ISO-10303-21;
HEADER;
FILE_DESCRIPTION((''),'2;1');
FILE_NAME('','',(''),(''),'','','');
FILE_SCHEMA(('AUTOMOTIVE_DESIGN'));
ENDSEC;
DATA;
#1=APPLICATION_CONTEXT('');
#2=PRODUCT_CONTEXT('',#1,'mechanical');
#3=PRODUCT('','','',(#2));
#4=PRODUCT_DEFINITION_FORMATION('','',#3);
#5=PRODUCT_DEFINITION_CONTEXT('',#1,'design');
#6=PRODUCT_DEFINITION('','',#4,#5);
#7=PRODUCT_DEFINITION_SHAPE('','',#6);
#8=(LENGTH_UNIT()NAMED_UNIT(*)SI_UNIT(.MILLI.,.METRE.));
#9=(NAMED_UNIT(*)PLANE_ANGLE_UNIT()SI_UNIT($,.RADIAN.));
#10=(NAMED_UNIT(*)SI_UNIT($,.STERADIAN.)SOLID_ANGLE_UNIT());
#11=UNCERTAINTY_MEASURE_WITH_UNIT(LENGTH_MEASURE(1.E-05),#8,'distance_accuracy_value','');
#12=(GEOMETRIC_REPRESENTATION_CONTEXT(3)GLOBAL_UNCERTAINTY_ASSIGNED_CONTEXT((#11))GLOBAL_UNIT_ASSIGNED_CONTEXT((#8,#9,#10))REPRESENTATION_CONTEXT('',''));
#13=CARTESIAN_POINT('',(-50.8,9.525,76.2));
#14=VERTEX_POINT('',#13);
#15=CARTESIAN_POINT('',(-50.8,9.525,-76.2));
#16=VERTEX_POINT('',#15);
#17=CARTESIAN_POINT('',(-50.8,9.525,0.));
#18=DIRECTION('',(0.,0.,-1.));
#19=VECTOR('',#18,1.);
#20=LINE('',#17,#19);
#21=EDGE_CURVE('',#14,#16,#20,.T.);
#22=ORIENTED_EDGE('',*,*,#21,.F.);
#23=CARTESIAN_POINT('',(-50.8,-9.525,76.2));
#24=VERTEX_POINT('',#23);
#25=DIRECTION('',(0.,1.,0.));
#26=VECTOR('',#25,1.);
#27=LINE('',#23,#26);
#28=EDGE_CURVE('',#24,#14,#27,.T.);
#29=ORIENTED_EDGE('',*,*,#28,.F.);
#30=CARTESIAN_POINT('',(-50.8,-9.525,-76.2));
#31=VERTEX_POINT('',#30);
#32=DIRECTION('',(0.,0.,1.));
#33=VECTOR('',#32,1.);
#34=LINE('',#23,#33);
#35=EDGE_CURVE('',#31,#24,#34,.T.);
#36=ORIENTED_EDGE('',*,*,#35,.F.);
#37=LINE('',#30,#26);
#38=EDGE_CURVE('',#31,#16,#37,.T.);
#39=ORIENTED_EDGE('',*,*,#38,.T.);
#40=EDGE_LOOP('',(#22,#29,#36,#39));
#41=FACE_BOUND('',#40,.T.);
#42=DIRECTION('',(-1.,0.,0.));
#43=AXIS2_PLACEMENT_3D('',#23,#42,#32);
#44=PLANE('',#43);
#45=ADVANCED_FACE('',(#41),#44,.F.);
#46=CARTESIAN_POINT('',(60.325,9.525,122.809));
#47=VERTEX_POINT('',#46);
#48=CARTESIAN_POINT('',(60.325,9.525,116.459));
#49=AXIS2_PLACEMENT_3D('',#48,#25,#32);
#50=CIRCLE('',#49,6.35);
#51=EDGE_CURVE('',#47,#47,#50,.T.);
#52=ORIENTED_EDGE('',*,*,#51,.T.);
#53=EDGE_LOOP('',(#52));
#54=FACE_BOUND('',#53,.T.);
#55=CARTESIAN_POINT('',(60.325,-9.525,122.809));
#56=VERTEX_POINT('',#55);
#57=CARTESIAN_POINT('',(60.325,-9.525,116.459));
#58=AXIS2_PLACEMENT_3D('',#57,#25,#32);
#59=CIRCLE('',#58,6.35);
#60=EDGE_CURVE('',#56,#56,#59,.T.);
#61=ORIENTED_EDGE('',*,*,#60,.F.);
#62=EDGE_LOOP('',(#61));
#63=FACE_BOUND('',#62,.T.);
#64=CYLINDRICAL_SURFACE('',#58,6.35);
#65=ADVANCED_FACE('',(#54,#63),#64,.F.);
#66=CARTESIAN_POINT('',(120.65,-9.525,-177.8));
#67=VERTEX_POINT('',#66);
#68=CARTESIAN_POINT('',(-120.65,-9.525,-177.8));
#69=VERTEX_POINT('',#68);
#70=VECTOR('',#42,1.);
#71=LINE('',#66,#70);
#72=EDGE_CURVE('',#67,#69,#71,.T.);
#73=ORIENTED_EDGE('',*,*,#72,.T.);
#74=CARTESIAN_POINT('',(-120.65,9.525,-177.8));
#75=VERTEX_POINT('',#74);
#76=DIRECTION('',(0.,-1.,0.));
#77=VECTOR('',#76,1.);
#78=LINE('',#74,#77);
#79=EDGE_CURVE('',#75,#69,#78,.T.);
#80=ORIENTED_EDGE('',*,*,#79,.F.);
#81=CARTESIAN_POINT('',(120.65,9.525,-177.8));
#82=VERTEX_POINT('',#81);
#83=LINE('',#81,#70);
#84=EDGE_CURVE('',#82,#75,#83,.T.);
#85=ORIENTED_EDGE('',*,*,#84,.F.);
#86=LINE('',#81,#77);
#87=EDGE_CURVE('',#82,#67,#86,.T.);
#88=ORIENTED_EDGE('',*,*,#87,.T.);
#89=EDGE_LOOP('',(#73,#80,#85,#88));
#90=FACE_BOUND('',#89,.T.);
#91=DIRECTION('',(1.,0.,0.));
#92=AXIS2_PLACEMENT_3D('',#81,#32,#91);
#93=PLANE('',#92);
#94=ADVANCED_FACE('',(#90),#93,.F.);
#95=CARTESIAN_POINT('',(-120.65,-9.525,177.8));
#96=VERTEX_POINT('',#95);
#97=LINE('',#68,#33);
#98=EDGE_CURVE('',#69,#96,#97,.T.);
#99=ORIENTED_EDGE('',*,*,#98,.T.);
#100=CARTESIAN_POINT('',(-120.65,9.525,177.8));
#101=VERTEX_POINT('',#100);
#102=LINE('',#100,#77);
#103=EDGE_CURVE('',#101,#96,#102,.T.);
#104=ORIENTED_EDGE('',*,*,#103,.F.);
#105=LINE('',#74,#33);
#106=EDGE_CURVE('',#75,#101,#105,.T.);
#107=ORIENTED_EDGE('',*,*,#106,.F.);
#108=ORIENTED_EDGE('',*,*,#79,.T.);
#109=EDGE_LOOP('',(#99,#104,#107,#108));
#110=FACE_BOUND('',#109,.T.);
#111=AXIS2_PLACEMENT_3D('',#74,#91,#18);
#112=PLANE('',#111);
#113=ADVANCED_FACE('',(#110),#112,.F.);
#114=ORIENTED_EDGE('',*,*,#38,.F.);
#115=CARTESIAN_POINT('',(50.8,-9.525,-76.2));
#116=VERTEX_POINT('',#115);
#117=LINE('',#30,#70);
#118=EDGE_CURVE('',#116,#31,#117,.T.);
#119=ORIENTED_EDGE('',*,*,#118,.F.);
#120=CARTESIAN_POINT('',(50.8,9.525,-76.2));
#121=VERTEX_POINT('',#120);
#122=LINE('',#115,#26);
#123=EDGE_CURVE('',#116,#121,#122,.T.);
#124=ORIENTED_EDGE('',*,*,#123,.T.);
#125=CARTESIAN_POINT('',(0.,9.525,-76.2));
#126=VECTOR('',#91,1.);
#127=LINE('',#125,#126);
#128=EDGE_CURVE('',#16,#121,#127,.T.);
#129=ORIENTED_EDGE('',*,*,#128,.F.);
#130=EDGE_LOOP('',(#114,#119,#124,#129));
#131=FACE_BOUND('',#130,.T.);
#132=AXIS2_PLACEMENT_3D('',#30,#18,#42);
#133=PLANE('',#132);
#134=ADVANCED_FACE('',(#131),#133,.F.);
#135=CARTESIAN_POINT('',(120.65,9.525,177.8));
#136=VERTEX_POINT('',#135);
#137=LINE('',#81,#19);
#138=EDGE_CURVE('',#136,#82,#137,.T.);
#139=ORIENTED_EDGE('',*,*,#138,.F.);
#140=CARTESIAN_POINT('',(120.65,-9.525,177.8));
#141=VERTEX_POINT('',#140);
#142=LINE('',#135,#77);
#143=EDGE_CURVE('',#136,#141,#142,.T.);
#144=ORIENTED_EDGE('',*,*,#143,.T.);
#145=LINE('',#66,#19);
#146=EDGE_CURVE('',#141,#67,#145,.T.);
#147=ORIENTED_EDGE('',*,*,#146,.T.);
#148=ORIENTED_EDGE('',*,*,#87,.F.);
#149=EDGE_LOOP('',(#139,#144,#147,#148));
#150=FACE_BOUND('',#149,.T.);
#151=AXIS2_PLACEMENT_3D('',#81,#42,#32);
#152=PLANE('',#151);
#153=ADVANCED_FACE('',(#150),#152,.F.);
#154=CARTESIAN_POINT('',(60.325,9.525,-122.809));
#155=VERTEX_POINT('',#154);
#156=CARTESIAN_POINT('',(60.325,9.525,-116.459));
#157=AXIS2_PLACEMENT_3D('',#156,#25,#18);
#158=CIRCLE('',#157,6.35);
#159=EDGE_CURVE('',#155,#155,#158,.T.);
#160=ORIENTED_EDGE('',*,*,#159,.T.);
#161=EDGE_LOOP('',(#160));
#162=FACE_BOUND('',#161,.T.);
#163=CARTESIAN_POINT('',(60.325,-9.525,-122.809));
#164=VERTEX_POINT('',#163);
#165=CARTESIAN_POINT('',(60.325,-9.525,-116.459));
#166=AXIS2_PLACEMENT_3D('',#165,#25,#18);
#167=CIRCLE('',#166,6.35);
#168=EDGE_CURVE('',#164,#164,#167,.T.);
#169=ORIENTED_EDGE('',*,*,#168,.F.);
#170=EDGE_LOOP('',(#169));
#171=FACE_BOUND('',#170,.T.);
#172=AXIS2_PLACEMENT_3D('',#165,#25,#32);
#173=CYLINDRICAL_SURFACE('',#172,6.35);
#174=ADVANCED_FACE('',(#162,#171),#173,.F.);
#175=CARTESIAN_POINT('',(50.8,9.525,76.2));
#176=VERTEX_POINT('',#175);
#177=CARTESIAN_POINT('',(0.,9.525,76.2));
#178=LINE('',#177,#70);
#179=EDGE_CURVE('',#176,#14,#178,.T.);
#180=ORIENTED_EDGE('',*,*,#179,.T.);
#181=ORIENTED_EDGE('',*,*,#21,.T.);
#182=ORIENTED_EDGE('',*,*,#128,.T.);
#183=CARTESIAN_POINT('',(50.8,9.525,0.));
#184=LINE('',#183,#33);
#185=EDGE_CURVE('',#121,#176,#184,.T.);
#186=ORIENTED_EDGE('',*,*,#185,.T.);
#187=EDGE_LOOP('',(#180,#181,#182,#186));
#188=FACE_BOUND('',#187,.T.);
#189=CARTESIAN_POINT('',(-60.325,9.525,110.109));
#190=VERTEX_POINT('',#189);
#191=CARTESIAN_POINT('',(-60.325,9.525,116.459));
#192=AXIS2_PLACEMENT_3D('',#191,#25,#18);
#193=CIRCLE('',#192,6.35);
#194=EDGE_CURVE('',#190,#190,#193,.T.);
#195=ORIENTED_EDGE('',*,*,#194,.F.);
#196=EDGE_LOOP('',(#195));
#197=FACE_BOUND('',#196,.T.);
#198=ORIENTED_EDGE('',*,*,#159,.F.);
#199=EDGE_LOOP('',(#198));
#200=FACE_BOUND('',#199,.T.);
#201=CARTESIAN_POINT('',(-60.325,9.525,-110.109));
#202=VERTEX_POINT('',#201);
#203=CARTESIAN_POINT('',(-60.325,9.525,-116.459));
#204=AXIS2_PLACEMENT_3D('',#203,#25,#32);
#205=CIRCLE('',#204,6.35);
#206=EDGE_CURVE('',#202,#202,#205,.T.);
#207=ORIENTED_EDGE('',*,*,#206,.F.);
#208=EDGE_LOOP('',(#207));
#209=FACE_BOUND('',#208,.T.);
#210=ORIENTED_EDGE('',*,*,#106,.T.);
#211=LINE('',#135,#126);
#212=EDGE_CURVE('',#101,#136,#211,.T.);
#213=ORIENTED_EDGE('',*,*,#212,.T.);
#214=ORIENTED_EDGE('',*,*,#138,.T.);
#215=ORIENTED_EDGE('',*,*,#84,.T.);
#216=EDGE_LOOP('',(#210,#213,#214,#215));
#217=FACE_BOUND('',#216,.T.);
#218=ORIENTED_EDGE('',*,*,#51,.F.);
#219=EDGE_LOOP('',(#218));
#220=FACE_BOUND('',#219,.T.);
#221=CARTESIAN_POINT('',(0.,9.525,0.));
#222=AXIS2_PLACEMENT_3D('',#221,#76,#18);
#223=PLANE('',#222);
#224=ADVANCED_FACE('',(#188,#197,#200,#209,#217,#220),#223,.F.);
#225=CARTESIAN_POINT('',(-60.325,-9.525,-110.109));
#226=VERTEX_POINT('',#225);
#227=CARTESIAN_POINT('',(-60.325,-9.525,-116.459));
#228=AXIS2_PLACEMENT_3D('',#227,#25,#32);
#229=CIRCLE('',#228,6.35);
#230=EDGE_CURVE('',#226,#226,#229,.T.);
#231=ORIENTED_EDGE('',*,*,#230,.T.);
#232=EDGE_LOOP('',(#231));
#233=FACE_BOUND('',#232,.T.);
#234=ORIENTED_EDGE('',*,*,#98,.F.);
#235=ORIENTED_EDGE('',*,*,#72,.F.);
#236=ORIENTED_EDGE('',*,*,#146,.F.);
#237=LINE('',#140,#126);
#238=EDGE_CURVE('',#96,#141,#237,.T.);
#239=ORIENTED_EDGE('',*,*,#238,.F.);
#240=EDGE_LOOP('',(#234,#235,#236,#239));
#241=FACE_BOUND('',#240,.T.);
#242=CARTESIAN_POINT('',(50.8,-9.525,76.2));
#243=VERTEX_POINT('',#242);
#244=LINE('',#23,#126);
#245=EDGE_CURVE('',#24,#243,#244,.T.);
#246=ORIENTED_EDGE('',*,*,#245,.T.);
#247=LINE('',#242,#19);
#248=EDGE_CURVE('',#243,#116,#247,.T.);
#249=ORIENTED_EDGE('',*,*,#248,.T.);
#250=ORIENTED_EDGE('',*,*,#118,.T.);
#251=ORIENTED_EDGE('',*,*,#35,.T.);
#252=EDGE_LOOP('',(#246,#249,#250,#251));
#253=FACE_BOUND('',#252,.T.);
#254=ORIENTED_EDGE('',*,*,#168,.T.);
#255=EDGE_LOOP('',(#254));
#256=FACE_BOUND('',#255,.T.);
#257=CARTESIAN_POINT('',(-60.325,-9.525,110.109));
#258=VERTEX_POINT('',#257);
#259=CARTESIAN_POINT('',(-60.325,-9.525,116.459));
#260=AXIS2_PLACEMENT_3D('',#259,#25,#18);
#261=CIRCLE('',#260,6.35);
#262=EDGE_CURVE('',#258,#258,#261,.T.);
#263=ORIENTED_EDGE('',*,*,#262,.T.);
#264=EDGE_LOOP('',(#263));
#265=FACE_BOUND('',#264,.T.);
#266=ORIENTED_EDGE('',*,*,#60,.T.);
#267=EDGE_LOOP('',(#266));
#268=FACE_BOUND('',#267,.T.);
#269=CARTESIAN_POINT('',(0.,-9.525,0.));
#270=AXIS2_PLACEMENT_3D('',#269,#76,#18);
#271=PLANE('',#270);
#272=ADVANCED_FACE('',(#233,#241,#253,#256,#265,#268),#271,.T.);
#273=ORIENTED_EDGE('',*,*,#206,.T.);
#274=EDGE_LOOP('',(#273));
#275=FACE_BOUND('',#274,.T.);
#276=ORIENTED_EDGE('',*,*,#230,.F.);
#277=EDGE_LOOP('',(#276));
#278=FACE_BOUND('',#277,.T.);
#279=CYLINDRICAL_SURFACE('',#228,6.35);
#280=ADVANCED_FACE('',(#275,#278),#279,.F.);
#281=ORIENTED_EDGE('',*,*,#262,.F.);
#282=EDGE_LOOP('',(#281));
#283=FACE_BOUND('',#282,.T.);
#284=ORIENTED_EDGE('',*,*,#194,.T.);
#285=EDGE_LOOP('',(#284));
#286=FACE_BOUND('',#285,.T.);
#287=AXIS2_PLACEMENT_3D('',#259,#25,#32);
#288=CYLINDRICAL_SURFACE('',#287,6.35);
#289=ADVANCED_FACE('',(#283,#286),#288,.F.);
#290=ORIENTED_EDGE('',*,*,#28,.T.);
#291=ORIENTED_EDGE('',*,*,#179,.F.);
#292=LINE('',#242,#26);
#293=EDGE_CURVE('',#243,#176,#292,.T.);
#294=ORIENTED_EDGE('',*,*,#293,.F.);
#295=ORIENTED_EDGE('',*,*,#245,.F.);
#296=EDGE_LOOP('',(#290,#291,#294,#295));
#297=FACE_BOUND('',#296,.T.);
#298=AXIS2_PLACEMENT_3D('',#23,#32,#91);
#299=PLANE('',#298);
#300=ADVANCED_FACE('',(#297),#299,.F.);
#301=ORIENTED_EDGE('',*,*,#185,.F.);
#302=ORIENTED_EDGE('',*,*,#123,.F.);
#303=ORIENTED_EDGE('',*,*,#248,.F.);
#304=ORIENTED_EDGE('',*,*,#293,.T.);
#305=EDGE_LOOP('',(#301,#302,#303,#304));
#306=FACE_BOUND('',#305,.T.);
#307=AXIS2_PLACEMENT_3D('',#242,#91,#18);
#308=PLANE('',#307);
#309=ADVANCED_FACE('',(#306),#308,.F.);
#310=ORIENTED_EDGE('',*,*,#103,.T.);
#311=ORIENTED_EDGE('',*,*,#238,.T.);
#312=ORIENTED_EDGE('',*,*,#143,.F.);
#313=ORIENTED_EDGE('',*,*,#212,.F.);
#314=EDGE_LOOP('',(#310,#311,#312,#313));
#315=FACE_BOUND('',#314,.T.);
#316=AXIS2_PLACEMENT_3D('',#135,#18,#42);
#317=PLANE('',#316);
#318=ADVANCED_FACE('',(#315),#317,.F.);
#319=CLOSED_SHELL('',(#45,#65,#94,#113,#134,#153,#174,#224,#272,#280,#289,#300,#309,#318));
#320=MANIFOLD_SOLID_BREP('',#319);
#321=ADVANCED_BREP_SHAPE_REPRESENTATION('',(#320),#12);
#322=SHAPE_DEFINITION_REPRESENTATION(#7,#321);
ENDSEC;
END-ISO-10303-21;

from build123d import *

# Parameters (mm, degrees)
SKETCH1_W               = 241.3
SKETCH1_H               = 355.6
BOSS_EXTRUDE1_DEPTH     = 9.525
SKETCH2_R               = 6.35
CUT_EXTRUDE1_DEPTH      = 20.05
SKETCH3_W               = 101.6
SKETCH3_H               = 152.4
CUT_EXTRUDE2_DEPTH      = 1
CUT_EXTRUDE2_DEPTH_BACK = 20.05


with BuildPart() as part:
    # Sketch1 → Boss-Extrude1 (new body, symmetric)
    with BuildSketch(Plane(origin=(0, 0, 0), x_dir=(1, 0, 0), z_dir=(0, 1, 0))):
        Rectangle(SKETCH1_W, SKETCH1_H)
    extrude(amount=BOSS_EXTRUDE1_DEPTH, both=True)

    # Sketch2 → Cut-Extrude1 (cut, through all)
    with BuildSketch(Plane(origin=(0, 9.525, 0), x_dir=(1, 0, 0), z_dir=(0, 1, 0))):
        with Locations((-60.325, 116.459)):
            Circle(SKETCH2_R)
        with Locations((60.325, 116.459)):
            Circle(SKETCH2_R)
        with Locations((60.325, -116.459)):
            Circle(SKETCH2_R)
        with Locations((-60.325, -116.459)):
            Circle(SKETCH2_R)
    extrude(amount=-CUT_EXTRUDE1_DEPTH, mode=Mode.SUBTRACT)

    # Sketch3 → Cut-Extrude2 (cut, two sides)
    with BuildSketch(Plane(origin=(0, 9.525, 0), x_dir=(1, 0, 0), z_dir=(0, 1, 0))) as cut_extrude2_sk:
        Rectangle(SKETCH3_W, SKETCH3_H)
    extrude(amount=CUT_EXTRUDE2_DEPTH, mode=Mode.SUBTRACT)
    extrude(cut_extrude2_sk.sketch, amount=-CUT_EXTRUDE2_DEPTH_BACK, mode=Mode.SUBTRACT)


solid = part.part
